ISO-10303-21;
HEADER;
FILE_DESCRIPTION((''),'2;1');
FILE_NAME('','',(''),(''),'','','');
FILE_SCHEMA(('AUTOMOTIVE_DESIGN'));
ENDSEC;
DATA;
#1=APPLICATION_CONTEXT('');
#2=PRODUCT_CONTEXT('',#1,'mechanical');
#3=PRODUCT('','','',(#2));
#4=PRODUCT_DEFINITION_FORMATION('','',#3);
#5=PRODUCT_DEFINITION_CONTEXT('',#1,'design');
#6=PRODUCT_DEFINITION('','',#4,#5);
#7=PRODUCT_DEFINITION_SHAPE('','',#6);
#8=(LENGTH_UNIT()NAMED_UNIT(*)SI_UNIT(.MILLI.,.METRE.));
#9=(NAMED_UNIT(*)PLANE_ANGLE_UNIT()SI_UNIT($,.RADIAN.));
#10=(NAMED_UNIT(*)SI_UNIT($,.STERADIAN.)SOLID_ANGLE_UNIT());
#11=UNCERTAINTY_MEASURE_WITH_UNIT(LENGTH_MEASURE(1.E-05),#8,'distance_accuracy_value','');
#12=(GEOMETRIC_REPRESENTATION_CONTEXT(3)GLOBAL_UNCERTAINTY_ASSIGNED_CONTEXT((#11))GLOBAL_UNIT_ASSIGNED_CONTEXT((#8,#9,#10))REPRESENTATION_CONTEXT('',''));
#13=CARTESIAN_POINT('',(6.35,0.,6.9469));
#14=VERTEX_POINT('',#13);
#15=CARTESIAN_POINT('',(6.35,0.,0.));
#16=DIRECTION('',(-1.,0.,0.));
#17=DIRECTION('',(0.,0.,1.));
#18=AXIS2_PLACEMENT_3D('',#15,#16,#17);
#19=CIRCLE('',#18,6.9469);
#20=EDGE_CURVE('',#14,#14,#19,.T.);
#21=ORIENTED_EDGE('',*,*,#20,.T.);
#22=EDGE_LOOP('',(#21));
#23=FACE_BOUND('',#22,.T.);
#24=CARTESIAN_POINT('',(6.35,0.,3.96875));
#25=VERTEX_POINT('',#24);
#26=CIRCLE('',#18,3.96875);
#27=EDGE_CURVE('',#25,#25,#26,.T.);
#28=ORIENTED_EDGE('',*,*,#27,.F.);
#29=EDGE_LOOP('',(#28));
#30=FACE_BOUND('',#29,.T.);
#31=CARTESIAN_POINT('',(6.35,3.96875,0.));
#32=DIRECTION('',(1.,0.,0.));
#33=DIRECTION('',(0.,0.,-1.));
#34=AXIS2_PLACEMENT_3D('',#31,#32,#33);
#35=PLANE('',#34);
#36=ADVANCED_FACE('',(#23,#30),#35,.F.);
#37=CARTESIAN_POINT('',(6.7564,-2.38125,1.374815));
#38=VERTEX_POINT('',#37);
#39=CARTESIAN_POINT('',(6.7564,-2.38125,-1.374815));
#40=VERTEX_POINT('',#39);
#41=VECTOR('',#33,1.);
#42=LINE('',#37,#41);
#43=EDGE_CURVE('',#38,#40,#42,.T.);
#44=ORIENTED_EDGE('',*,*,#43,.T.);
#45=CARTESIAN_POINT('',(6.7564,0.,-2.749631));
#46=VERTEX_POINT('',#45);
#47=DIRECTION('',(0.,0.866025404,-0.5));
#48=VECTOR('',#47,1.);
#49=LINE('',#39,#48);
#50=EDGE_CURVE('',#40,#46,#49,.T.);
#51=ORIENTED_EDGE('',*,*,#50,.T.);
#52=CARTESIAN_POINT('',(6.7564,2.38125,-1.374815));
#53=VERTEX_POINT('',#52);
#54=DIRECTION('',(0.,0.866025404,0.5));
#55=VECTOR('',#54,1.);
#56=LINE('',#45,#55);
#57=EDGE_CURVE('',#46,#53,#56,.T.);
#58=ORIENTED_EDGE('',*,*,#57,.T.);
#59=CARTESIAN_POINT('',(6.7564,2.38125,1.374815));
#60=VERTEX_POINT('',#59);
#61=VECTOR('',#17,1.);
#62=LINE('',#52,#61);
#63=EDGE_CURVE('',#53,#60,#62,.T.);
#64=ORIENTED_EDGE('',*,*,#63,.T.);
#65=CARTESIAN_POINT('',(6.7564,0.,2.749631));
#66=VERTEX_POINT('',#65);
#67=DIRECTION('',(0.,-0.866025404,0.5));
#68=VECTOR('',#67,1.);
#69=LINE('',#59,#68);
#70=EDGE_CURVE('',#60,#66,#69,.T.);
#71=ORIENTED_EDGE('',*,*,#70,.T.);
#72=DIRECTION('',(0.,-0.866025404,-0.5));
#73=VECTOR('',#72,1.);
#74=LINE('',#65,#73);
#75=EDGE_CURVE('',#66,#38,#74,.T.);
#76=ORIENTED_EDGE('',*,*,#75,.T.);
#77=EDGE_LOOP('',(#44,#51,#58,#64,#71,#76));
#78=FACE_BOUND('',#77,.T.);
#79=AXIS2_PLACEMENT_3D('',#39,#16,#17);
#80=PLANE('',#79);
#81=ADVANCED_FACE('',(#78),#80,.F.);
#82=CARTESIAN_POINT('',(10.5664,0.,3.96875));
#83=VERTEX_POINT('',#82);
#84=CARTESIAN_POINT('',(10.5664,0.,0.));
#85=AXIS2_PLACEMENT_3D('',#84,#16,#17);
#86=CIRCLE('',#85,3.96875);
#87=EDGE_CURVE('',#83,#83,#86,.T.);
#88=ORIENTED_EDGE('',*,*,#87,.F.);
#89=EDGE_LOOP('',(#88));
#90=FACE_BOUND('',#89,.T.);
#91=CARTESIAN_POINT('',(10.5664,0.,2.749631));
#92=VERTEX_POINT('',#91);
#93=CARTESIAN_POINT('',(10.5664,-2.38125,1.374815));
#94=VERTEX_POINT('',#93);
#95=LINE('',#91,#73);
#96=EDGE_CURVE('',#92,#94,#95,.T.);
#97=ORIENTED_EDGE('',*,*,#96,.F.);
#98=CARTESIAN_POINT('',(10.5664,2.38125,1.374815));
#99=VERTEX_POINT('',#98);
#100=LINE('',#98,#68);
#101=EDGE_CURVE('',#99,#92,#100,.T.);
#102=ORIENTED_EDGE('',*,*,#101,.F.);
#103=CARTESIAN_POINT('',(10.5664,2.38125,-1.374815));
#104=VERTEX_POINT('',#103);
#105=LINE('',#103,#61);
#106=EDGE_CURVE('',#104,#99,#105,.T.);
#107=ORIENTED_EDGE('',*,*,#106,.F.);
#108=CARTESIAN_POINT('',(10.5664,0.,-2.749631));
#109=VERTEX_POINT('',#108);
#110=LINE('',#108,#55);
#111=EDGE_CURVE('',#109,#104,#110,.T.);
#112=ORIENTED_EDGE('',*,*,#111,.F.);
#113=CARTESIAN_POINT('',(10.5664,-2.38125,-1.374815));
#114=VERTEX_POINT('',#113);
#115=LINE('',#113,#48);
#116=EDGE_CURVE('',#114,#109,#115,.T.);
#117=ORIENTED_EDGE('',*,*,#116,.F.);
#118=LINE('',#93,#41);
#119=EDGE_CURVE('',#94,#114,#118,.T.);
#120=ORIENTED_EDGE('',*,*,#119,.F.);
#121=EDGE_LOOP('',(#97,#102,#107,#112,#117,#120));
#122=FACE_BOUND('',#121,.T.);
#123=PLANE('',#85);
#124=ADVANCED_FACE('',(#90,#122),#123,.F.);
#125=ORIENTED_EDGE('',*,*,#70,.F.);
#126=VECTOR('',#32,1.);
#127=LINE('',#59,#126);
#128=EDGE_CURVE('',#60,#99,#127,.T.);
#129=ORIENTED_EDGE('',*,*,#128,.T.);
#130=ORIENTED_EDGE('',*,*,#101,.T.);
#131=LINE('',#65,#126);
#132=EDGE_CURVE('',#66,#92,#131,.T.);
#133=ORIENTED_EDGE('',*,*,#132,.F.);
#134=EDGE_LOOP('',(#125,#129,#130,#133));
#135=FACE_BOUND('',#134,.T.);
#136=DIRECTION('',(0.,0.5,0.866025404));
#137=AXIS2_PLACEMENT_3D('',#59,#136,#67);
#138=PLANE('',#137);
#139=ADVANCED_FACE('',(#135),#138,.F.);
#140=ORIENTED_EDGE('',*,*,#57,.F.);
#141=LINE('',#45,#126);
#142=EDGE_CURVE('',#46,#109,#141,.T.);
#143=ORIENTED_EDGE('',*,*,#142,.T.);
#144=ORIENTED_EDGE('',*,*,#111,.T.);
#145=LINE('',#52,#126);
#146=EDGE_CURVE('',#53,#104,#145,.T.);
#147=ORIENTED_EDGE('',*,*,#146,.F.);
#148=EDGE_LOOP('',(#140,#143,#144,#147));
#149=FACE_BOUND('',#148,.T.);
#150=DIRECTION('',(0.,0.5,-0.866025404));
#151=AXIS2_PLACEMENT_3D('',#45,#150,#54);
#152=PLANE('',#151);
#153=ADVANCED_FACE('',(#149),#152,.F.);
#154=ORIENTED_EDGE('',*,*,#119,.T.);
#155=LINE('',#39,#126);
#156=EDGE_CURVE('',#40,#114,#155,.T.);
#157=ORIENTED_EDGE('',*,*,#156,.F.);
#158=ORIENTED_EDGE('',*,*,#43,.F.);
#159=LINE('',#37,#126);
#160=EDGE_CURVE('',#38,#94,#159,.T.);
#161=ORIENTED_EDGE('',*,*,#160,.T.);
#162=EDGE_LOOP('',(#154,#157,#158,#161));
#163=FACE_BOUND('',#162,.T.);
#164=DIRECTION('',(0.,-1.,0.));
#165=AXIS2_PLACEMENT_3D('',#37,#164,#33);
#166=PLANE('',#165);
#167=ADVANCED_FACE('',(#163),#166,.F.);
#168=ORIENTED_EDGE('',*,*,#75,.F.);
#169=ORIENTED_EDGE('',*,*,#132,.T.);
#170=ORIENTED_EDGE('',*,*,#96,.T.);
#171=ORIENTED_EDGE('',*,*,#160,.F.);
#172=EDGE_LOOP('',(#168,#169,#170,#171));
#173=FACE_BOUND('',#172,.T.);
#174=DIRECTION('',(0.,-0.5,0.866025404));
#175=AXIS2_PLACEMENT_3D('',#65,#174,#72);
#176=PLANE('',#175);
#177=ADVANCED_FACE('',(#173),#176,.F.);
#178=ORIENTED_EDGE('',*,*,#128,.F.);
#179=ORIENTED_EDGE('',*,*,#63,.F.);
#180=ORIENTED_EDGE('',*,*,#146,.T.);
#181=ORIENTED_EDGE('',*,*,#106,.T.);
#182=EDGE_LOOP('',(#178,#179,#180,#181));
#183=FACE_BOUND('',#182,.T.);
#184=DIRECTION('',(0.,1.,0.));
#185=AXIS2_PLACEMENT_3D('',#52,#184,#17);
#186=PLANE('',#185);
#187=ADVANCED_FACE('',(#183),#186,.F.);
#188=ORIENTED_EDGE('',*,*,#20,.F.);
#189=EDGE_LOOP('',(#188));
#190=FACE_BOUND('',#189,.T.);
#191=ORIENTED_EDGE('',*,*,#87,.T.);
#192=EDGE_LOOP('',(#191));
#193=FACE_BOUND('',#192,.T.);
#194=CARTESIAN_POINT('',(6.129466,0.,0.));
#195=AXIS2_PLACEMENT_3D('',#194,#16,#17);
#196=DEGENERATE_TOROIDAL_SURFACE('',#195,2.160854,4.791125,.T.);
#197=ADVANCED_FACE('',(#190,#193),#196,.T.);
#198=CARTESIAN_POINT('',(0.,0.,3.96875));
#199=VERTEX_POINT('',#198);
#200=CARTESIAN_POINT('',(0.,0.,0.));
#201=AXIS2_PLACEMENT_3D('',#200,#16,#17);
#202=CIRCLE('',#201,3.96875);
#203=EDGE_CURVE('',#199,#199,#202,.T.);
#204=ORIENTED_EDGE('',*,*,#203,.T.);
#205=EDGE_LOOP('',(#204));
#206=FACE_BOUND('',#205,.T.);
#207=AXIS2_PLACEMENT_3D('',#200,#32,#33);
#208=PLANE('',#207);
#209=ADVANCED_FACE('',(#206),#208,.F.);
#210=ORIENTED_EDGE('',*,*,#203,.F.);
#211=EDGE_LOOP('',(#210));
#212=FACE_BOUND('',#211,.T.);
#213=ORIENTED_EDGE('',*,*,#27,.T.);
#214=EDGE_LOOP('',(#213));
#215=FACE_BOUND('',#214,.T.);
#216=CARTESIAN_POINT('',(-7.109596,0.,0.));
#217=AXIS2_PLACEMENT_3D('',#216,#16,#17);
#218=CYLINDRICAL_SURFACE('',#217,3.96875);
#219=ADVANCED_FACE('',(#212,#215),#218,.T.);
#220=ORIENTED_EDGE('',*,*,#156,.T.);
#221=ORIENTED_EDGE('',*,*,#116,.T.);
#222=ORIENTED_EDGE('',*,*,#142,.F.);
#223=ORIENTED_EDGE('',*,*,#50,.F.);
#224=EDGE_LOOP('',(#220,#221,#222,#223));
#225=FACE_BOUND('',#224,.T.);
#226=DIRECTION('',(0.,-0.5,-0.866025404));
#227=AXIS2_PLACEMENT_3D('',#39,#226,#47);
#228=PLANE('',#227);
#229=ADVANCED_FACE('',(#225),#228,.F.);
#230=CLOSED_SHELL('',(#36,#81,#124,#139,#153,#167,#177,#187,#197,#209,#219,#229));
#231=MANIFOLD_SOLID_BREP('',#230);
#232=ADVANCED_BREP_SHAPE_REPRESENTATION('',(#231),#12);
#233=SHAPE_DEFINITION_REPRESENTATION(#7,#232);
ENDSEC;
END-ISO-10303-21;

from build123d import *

# Parameters (mm, degrees)
HEX_2_DEPTH = 3.81


with BuildPart() as part:
    # Sketch1 → Base-Revolve (revolve)
    with BuildSketch(Plane.XY):
        with BuildLine():
            Line((0, 0), (0, 3.96875))
            Line((0, 3.96875), (6.35, 3.96875))
            Line((6.35, 3.96875), (6.35, 6.9469))
            ThreePointArc((6.35, 6.9469), (8.893583592, 6.074231621), (10.5664, 3.96875))
            Line((10.5664, 3.96875), (10.5664, 0))
            Line((10.5664, 0), (0, 0))
        make_face()
    revolve(axis=Axis((-7.109595529, 0, 0), (1, 0, 0)))

    # Sketch2 → HEX 2 (cut)
    with BuildSketch(Plane(origin=(10.5664, 0, 0), x_dir=(0, 0, -1), z_dir=(1, 0, 0))):
        Polygon((2.749630657, 0), (1.374815329, 2.38125), (-1.374815329, 2.38125), (-2.749630657, 0), (-1.374815329, -2.38125), (1.374815329, -2.38125), align=None)
    extrude(amount=-HEX_2_DEPTH, mode=Mode.SUBTRACT)


solid = part.part
